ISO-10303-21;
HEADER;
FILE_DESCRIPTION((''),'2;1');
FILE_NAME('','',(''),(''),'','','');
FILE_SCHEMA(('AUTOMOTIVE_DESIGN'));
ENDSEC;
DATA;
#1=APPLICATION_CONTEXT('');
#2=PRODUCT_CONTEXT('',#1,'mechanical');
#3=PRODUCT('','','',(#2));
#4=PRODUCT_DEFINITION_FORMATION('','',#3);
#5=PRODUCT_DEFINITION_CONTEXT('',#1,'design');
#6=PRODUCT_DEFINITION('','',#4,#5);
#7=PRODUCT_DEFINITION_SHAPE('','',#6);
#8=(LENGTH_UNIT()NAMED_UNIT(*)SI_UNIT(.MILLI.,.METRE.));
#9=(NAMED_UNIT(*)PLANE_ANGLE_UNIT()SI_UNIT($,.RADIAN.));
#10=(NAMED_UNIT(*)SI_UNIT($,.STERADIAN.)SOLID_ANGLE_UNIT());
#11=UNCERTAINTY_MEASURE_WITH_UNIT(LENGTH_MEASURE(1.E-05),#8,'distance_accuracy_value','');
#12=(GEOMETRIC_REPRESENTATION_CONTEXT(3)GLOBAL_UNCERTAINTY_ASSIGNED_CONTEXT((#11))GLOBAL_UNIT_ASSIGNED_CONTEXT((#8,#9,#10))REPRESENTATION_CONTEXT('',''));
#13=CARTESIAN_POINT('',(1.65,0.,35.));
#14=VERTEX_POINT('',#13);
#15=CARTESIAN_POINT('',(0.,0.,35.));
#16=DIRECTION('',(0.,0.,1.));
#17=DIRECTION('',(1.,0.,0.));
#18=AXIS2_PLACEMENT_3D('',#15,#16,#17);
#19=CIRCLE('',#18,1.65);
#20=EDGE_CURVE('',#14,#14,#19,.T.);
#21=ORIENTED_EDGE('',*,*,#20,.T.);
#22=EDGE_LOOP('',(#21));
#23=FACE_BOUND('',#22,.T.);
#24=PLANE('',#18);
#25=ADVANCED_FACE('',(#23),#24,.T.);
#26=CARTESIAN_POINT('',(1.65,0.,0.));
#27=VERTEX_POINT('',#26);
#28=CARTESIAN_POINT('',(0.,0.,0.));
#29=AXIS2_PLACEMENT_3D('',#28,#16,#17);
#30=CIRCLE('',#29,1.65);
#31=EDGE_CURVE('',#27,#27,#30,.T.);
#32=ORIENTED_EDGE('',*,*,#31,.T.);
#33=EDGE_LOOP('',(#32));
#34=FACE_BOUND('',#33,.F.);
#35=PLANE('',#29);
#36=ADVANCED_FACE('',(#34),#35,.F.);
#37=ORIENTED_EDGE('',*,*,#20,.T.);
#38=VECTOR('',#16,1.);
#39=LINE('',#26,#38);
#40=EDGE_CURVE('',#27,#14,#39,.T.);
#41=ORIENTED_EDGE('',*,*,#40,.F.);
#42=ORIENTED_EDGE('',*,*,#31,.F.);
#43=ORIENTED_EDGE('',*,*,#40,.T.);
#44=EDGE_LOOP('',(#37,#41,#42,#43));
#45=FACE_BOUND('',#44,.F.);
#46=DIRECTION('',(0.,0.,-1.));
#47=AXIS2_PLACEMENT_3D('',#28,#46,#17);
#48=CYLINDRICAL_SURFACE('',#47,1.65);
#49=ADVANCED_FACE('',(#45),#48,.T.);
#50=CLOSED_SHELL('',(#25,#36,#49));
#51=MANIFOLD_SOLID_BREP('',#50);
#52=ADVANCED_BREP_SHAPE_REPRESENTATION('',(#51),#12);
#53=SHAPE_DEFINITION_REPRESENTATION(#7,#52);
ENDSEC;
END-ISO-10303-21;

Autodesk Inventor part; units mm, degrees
ref_plane "YZ Plane" through (0, 0, 0) normal (1, 0, 0) x (0, 1, 0)
ref_plane "XZ Plane" through (0, 0, 0) normal (0, 1, 0) x (-1, 0, 0)
ref_plane "XY Plane" through (0, 0, 0) normal (0, 0, 1) x (1, 0, 0)
sketch "Sketch1" plane through (0, 0, 0) normal (0, 0, 1) x (1, 0, 0)
  circle A0 centre (0, 0) radius 1.65
  dimension "d0" = 3.3
  dimension "d0" = 3.3
extrude "Extrusion1" add sketch "Sketch1" along normal blind 35
properties part number "LaserMountPole2"
